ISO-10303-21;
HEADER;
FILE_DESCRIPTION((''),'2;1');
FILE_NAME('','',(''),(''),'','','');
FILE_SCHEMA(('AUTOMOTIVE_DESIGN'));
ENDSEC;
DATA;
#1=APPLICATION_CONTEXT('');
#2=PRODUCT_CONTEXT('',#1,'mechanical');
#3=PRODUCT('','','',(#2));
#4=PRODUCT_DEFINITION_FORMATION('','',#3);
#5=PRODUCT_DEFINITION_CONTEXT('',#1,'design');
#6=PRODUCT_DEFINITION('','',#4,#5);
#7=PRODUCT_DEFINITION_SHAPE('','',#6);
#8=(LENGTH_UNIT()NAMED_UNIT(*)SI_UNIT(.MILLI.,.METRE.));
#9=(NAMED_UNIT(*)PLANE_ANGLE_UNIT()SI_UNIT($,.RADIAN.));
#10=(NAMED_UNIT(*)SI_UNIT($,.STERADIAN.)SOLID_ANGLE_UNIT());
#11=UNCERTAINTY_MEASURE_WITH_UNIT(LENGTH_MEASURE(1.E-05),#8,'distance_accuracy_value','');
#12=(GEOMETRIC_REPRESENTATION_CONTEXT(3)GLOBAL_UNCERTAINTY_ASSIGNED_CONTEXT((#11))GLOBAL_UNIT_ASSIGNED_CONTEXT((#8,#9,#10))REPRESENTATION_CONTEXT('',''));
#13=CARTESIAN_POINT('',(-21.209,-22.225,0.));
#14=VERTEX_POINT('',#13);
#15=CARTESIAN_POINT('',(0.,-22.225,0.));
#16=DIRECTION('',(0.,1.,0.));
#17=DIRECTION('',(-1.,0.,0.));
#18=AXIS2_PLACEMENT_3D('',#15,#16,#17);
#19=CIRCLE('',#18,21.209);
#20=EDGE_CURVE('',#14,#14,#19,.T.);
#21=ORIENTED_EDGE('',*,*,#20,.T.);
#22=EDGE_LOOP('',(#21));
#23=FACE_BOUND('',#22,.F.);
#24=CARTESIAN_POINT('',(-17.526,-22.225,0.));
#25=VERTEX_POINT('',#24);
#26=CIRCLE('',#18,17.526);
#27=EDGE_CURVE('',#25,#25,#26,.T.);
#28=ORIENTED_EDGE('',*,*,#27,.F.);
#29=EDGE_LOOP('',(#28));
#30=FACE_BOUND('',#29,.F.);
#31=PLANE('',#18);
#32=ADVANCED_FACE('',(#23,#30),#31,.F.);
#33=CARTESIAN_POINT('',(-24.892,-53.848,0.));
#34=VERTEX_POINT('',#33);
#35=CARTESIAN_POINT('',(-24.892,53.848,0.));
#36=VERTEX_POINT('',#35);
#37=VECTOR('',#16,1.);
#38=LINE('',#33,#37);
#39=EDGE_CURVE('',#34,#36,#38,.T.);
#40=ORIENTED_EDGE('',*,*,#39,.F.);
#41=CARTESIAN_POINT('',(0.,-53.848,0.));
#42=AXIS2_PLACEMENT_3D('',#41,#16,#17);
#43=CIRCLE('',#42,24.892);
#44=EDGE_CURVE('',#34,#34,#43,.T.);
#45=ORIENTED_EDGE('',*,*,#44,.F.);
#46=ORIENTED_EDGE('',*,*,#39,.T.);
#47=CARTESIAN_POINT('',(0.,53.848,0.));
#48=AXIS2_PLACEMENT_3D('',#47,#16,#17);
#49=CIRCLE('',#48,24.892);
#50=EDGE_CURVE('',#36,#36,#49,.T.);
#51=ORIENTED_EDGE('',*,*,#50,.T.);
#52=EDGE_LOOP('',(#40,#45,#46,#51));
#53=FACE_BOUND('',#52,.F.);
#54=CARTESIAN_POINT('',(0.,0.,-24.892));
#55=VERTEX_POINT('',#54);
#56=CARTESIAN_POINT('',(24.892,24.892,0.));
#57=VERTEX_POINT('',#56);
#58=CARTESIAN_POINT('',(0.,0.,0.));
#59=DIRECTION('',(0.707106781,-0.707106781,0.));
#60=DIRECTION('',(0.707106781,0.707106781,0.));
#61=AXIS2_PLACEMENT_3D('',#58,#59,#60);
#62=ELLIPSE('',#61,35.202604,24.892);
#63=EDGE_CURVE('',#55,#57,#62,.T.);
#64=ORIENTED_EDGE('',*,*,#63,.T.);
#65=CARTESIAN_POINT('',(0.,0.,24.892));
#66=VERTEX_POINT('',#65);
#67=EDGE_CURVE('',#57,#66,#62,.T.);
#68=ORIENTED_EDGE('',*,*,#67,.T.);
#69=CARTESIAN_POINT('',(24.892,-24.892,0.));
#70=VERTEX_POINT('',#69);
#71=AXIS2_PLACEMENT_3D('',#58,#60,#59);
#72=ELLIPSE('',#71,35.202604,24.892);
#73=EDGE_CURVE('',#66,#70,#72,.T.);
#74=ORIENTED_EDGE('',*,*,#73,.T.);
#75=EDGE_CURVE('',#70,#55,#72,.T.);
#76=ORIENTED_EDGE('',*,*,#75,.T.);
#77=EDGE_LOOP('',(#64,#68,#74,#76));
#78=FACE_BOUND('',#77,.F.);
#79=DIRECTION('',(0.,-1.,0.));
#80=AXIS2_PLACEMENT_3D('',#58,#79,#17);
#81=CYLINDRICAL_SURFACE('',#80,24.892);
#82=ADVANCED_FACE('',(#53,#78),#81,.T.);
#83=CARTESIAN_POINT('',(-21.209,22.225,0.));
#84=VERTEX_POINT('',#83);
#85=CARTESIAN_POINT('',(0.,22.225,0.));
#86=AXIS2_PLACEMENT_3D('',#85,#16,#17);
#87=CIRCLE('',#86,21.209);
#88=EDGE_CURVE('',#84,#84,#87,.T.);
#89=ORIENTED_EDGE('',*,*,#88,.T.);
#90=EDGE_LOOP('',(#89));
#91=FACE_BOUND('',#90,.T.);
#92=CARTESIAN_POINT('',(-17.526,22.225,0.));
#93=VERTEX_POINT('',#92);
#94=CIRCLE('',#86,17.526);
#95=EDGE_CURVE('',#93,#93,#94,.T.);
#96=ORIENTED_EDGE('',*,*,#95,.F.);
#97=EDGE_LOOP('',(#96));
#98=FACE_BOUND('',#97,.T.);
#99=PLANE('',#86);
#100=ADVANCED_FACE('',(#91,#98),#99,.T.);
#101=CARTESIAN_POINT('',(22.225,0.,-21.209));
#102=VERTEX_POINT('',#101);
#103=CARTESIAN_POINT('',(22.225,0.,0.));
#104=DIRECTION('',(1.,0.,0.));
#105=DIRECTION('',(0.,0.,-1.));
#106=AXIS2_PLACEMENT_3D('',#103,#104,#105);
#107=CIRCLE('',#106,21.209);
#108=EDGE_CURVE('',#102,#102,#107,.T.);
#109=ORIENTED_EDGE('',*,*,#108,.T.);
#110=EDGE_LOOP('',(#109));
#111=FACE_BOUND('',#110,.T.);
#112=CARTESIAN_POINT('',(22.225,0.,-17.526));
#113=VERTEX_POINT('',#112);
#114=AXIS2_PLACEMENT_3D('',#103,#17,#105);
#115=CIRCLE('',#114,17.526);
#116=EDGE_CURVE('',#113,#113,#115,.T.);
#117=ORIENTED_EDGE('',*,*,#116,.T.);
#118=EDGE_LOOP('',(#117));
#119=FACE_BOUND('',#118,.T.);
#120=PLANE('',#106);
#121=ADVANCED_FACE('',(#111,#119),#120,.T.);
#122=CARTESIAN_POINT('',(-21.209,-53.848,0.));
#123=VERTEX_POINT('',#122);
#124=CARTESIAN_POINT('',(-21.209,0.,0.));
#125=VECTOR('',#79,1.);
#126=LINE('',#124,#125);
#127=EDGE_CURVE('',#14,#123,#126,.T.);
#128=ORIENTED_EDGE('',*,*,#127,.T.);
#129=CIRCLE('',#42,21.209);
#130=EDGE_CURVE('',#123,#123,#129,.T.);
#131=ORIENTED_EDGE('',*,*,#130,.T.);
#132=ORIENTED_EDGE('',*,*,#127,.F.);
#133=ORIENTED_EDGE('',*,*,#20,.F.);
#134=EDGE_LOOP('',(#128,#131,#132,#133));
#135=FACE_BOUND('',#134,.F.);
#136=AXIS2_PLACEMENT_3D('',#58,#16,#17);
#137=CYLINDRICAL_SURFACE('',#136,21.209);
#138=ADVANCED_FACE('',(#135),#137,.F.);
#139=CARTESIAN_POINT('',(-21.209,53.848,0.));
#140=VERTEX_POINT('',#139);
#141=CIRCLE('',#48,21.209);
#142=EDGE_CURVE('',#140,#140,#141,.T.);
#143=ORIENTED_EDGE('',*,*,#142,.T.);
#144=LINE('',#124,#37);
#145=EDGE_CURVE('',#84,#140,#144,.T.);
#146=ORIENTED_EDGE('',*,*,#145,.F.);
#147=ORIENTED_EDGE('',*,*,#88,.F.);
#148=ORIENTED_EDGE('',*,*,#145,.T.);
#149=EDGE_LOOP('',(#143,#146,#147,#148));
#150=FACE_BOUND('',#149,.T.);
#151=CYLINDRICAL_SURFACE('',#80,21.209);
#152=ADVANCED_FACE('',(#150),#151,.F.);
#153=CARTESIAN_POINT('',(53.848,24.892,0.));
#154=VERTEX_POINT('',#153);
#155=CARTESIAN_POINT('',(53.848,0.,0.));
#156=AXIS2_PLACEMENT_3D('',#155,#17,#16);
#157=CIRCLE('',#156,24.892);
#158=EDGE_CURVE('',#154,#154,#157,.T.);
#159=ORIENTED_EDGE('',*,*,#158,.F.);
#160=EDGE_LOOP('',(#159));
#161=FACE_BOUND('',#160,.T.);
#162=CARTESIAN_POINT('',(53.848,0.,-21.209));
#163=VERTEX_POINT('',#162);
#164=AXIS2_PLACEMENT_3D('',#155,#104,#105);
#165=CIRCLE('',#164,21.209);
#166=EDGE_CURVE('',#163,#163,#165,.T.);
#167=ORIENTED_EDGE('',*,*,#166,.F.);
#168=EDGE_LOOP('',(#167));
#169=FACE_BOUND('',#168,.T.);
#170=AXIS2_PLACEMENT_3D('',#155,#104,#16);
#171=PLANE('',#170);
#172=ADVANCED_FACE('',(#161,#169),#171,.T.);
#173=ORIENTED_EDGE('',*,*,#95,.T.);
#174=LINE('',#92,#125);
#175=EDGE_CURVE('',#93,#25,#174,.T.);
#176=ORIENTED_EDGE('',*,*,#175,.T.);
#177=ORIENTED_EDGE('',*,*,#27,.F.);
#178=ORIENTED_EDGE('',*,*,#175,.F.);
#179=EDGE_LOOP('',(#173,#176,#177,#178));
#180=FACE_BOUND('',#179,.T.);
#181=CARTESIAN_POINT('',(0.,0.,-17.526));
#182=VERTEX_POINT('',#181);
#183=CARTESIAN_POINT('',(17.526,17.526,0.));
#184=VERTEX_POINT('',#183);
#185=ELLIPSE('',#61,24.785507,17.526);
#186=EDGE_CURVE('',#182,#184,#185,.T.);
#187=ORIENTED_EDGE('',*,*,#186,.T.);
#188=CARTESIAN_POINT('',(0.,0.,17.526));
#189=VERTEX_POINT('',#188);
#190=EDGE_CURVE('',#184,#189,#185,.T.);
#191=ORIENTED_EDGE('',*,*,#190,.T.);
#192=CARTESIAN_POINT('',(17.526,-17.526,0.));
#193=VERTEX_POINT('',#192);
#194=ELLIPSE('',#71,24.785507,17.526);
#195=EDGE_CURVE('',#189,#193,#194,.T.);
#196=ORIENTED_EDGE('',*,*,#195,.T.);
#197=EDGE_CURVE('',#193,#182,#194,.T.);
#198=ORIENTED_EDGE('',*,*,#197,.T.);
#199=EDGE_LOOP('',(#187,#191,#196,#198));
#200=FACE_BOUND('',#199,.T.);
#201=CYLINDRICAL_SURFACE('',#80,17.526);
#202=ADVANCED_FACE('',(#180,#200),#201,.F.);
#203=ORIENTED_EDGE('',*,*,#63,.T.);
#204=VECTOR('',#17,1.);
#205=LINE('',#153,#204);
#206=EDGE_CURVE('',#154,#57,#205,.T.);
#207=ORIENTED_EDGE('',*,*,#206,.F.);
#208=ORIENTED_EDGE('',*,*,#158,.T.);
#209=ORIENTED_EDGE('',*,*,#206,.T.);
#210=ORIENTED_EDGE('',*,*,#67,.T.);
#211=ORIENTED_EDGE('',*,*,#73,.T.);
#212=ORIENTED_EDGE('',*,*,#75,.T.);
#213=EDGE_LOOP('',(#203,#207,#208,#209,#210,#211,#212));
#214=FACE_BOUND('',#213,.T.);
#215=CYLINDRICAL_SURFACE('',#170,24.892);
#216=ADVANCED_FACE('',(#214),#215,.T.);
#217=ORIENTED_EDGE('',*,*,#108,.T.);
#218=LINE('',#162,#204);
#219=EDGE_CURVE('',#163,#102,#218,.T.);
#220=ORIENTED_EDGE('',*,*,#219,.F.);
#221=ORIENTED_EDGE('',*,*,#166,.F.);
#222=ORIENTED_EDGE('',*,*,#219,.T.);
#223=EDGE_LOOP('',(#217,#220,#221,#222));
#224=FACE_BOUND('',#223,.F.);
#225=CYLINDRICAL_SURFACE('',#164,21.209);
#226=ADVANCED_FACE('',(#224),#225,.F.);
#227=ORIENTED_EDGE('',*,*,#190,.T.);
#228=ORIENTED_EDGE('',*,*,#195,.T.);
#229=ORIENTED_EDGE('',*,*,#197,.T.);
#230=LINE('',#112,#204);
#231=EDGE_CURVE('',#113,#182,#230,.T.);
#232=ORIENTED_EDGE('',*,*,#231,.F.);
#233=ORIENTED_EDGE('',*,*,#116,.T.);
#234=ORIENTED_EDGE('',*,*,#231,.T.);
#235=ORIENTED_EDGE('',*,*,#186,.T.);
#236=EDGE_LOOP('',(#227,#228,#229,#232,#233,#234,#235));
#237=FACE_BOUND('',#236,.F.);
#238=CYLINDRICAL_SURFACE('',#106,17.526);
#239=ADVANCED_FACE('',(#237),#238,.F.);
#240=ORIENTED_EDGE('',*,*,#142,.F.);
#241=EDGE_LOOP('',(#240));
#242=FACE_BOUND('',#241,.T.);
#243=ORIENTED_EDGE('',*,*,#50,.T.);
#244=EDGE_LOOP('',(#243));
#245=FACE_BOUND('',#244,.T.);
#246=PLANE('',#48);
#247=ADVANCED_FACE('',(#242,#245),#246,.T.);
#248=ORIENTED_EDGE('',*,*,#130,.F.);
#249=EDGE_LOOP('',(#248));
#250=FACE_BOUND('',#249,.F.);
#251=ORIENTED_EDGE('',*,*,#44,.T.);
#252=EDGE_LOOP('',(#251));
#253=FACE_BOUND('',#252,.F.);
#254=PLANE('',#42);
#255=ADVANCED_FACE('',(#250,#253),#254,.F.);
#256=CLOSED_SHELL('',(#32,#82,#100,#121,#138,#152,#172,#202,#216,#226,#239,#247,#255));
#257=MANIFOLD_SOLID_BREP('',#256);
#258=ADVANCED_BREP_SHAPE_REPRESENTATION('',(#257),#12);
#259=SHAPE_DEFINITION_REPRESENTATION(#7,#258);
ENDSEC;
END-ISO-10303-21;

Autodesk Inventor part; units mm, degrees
ref_plane "XZ Plane" through (0, 0, 0) normal (0, 1, 0) x (-1, 0, 0)
ref_plane "XY Plane" through (0, 0, 0) normal (0, 0, 1) x (1, 0, 0)
sketch "Sketch1" plane through (0, 0, 0) normal (0, 1, 0) x (-1, 0, 0)
  circle A0 centre (0, 0) radius 21.209
  circle A1 centre (0, 0) radius 24.892
  dimension "d0" = 42.418
  dimension "d1" = 49.784
extrude "Extrusion1" add sketch "Sketch1" along normal mid plane 107.696
sketch "Sketch4" plane through (0, 0, 0) normal (0, 1, 0) x (-1, 0, 0)
  circle A0 centre (0, 0) radius 17.526
  circle A1 centre (0, 0) radius 21.209 projected
  circle A2 centre (0, 0) radius 24.892 projected
  dimension "d9" = 35.052
extrude "Extrusion4" add sketch "Sketch4" along normal mid plane 44.45 contours A1
ref_plane "Work Plane1" through (53.848, 0, 0) normal (1, 0, 0) x (0, 1, 0)
sketch "Sketch2" plane through (53.848, 0, 0) normal (1, 0, 0) x (0, 1, 0)
  line L0 (-53.848, 24.892) -> (-53.848, -24.892) projected
  line L1 (53.848, -24.892) -> (53.848, 24.892) projected
  circle A0 centre (0, 0) radius 24.892
  line L2 (-53.848, 24.892) -> (53.848, 24.892) projected
extrude "Extrusion2" add sketch "Sketch2" against normal up to next
sketch "Sketch3" plane through (53.848, 0, 0) normal (1, 0, 0) x (0, 0, -1)
  line L0 (-21.209, -53.848) -> (-21.209, -22.225) projected
  circle A0 centre (0, 0) radius 21.209
extrude "Extrusion3" cut sketch "Sketch3" against normal blind 31.623
sketch "Sketch5" plane through (22.225, 0, 0) normal (1, 0, 0) x (0, 0, -1)
  line L0 (-17.526, -22.225) -> (-17.526, 22.225) projected
  circle A0 centre (0, 0) radius 17.526
extrude "Extrusion5" cut sketch "Sketch5" against normal up to next
properties part number "Piping_Tee_1.25in" material "PVC-Piping"
